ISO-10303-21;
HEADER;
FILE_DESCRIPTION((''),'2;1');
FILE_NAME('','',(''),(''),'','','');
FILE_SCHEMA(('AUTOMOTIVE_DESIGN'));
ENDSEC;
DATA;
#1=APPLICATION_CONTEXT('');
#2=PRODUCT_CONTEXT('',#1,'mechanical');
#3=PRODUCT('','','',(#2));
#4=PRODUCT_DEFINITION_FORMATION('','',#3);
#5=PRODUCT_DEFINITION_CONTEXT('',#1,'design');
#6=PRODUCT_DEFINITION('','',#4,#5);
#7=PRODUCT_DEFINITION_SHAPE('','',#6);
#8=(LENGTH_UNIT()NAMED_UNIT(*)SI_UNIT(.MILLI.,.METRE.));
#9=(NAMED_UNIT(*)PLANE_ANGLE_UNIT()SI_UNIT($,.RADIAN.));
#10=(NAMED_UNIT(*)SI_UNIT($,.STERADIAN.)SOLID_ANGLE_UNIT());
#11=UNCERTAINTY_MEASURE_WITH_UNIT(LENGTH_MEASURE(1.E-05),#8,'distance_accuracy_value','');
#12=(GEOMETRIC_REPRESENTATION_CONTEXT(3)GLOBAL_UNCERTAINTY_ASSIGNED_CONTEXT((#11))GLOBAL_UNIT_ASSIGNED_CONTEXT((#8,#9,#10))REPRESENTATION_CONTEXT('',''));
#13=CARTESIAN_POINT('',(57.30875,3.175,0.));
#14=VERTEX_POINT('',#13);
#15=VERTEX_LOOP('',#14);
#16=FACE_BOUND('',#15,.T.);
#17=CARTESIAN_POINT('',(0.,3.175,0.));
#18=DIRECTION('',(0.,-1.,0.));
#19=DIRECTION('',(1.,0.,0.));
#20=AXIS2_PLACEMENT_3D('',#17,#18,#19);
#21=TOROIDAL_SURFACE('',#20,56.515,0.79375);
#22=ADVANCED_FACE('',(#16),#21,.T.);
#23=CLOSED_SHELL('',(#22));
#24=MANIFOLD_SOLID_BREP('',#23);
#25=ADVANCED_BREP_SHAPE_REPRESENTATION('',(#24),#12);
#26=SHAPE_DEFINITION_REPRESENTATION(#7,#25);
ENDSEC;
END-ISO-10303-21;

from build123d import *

# Parameters (mm, degrees)
SKETCH1_R = 0.79375


with BuildPart() as part:
    # Sketch1 → Revolve1 (revolve)
    with BuildSketch(Plane.XY):
        with Locations((56.515, 3.175)):
            Circle(SKETCH1_R)
    revolve(axis=Axis((0, -29.061636637, 0), (0, 1, 0)))


solid = part.part
